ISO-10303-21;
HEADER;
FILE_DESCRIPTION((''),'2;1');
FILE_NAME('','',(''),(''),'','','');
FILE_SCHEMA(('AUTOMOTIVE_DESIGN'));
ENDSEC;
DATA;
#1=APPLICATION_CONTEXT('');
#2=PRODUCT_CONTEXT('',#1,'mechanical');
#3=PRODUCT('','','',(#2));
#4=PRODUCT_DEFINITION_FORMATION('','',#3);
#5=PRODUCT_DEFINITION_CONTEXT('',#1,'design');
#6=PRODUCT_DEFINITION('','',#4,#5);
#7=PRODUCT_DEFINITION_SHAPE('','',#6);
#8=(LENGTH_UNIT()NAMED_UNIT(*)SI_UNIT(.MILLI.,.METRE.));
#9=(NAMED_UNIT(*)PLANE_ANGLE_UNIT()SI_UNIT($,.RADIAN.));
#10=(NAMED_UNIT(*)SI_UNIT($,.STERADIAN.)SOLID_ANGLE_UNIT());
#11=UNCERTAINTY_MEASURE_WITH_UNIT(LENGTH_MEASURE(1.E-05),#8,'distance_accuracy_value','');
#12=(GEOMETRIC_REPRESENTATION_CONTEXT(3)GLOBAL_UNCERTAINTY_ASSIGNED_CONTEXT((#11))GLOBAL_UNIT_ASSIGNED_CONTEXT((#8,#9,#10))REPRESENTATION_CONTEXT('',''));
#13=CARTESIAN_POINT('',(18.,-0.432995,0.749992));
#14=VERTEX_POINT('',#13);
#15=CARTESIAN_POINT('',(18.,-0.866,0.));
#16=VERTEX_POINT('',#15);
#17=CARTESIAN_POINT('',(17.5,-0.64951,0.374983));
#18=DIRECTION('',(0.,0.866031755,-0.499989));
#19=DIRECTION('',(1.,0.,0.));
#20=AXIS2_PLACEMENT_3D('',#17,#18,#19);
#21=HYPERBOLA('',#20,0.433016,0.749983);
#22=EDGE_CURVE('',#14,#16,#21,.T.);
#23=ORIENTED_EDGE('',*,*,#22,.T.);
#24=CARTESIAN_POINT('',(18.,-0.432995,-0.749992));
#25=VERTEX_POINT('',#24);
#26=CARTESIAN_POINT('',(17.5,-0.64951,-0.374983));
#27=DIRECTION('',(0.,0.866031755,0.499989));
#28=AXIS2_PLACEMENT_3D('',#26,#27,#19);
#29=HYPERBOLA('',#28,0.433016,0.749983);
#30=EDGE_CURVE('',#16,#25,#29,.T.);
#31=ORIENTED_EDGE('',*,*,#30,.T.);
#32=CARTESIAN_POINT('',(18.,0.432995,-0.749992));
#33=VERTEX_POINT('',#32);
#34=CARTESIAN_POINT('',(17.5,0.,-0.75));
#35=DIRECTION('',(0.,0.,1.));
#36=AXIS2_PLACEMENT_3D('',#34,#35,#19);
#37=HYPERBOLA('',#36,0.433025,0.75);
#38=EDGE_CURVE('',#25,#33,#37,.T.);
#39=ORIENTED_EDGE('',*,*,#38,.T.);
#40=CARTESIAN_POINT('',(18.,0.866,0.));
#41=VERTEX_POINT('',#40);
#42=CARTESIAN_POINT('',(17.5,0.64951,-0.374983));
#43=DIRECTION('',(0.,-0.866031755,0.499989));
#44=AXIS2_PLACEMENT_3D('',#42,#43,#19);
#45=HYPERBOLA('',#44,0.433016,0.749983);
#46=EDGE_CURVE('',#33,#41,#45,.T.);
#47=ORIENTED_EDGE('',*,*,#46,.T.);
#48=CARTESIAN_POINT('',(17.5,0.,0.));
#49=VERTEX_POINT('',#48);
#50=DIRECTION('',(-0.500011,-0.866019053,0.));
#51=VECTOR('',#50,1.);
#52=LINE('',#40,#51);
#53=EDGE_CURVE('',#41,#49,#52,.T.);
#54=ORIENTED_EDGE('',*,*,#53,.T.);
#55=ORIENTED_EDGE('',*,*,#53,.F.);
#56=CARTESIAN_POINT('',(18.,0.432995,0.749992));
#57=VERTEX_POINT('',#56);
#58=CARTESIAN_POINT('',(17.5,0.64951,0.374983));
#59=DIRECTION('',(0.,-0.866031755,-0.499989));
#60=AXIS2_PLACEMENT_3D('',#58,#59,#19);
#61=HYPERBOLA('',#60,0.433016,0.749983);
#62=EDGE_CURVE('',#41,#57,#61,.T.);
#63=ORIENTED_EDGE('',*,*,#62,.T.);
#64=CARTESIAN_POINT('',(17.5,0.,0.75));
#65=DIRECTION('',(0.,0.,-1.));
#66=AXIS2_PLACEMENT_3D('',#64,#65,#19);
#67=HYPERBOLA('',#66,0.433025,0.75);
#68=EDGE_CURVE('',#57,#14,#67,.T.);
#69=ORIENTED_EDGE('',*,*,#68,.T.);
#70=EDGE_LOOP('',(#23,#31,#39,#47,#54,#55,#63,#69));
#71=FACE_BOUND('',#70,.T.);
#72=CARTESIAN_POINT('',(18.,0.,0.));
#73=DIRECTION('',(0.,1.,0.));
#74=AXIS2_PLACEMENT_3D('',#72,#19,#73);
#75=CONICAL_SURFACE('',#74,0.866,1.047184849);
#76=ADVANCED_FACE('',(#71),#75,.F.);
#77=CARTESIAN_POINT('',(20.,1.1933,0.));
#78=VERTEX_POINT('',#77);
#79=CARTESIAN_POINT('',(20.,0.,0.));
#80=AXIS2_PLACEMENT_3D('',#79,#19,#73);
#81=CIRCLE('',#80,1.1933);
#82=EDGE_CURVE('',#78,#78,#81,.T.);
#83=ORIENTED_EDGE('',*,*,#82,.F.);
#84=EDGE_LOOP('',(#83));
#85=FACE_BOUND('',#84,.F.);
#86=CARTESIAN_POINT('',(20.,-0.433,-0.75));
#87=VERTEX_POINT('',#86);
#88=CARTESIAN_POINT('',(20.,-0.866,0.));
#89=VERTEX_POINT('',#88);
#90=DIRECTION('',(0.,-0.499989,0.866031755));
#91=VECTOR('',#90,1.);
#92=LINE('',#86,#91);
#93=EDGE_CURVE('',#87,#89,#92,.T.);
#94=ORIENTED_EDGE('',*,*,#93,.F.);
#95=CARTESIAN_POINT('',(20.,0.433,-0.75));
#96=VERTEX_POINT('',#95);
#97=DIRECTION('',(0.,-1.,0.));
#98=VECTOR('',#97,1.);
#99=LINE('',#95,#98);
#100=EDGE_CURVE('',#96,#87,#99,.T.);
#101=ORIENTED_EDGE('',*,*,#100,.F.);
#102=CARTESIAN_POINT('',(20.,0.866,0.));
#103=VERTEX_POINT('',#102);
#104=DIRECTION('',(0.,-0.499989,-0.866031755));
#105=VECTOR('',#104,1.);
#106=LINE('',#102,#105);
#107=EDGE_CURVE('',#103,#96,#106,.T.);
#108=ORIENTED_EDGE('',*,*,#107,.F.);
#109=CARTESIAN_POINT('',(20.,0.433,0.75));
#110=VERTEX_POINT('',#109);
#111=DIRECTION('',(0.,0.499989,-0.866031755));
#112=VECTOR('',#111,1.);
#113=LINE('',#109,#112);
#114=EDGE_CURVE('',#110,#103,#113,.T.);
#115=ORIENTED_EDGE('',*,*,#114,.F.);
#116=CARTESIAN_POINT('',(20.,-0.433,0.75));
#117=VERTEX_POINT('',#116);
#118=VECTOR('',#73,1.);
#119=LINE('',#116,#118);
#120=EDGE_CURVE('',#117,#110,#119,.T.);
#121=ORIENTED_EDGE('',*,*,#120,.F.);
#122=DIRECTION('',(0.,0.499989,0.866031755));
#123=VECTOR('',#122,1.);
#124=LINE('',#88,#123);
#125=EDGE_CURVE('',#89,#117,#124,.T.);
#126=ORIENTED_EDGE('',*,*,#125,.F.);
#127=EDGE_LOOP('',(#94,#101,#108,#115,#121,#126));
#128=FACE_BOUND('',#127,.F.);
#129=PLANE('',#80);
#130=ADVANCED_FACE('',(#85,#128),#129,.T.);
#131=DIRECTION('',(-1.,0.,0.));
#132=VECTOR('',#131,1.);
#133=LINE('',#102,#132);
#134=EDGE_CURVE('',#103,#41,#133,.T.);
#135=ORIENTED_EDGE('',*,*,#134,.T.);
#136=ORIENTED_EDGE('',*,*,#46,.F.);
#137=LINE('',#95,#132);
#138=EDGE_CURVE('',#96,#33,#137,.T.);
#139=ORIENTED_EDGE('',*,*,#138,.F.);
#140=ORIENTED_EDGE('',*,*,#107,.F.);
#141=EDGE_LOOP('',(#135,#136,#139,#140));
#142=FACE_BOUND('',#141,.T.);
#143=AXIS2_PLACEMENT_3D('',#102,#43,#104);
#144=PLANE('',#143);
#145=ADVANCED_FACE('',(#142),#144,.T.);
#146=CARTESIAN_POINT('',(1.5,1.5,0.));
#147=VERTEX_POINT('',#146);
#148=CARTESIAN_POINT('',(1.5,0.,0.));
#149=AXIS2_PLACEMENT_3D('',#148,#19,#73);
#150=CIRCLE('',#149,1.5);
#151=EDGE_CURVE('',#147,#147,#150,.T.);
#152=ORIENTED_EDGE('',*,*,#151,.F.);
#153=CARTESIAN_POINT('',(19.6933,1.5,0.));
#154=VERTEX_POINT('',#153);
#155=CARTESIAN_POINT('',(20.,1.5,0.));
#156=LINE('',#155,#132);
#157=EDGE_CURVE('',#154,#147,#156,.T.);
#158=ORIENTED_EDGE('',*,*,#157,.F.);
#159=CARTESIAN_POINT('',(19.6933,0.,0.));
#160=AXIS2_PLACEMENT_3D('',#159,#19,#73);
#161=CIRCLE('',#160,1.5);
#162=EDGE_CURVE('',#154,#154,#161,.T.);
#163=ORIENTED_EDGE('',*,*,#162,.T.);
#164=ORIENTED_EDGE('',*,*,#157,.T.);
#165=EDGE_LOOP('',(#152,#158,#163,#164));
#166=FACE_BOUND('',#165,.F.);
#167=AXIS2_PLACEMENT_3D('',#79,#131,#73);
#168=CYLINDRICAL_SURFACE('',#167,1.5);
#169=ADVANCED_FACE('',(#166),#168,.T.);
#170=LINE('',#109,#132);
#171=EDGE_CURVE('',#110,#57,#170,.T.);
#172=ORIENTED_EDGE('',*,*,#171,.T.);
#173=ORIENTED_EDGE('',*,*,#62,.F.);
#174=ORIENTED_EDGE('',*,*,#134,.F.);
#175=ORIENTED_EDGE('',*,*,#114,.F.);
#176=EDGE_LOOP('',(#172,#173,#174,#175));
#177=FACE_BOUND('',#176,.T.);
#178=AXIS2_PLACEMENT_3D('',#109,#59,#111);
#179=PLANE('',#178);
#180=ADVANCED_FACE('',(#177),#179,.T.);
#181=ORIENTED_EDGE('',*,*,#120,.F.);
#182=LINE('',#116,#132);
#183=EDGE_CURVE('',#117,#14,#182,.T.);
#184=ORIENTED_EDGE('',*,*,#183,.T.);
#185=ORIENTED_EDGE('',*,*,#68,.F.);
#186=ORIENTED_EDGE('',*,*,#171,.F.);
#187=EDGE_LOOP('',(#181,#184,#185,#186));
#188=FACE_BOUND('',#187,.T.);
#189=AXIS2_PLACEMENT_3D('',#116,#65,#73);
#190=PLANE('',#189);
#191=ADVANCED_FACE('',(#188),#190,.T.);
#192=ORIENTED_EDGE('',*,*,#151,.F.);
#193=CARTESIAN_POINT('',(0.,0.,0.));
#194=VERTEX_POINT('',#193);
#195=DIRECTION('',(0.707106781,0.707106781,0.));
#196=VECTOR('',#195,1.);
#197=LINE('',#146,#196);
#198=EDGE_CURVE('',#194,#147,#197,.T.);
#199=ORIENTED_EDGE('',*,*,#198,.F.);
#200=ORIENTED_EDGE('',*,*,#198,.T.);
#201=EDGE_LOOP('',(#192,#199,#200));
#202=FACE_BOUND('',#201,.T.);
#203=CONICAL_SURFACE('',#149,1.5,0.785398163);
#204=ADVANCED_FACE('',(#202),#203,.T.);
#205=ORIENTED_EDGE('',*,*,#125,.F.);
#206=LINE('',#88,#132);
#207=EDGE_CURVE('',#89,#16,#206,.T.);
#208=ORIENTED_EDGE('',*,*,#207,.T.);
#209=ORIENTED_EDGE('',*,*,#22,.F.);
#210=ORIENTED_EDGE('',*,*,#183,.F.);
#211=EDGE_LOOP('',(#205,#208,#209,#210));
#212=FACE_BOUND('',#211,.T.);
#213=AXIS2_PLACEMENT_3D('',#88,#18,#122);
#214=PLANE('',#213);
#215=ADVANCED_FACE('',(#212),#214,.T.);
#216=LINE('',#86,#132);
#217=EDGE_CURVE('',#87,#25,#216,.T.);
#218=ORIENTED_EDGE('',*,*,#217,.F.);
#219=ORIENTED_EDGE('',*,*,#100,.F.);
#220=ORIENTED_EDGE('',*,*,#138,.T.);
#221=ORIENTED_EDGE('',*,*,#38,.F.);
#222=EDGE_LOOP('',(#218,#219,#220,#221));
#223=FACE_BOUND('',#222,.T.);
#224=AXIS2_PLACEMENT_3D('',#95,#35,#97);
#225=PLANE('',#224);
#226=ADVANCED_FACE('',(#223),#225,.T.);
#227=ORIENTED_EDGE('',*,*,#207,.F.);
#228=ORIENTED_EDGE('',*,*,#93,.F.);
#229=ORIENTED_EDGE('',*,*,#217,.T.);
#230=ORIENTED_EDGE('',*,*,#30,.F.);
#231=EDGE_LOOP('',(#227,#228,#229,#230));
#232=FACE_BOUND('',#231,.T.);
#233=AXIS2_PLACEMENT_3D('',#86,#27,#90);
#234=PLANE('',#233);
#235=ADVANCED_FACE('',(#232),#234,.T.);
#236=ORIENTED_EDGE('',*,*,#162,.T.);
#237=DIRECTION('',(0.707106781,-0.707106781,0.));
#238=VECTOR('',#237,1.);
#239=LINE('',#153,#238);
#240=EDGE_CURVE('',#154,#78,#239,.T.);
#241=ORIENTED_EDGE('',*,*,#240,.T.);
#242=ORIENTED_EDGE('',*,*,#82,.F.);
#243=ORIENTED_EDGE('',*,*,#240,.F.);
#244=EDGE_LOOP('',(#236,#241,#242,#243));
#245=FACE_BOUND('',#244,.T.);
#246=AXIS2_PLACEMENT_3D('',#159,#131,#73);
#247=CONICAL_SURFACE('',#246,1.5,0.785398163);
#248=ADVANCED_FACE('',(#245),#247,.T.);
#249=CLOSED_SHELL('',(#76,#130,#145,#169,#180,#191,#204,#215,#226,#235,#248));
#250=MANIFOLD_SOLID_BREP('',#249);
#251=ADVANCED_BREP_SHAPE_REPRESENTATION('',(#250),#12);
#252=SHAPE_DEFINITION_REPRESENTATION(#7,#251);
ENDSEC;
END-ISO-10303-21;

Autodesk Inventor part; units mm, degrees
ref_plane "YZ Plane" through (0, 0, 0) normal (1, 0, 0) x (0, 1, 0)
ref_plane "XZ Plane" through (0, 0, 0) normal (0, 1, 0) x (-1, 0, 0)
sketch "Skizze1" plane through (0, 0, 0) normal (0, 0, 1) x (1, 0, 0)
  line L0 (0, 0) -> (17.5, 0)
  line L1 (20, 0.866) -> (20, 1.5)
  line L2 (20, 1.5) -> (0, 1.5)
  line L3 (20, 0.866) -> (18, 0.866)
  line L4 (18, 0.866) -> (17.5, 0)
  line L5 (0, -0.3) -> (0, 1.8) projected
  line L6 (0, 1.5) -> (0, 0)
  dimension "d0" = 2
  dimension "d1" = 60
  dimension "d2" = 3
  dimension "d3" = 1.7321
  dimension "d5" = 20
revolve "Körper" add sketch "Skizze1" angle 360 about axis through (0, 0, 0) along (1, 0, 0)
sketch "Skizze2" plane through (20, 0, 0) normal (1, 0, 0) x (0, 1, 0)
  circle A0 centre (0, 0) radius 0.866 projected
  line L0 (-0.433, 0.75) -> (0.433, 0.75)
  line L1 (0.433, 0.75) -> (0.866, 0)
  line L2 (0.866, 0) -> (0.433, -0.75)
  line L3 (0.433, -0.75) -> (-0.433, -0.75)
  line L4 (-0.433, -0.75) -> (-0.866, 0)
  line L5 (-0.866, 0) -> (-0.433, 0.75)
  point P0 (0, 0)
  point P1 (0, 0)
extrude "Loch" add sketch "Skizze2" against normal up to next contours L1 A0 | A0 L2 | L0 A0 | A0 L3 | L5 A0 | A0 L4
thread "Gewinde" size "M3x0.5" class "6g" standard "ISO Metric profile" length 20
chamfer "Fase1" distance 1.5 angle 45 1 edges at (0, -1.5, 0) measured on face at (13.3333, 1.4951, -0.1207)
chamfer "Fase2" distance 0.3067 angle 45 1 edges at (20, -1.5, 0) measured on face at (13.8332, 1.4806, -0.2406)
ref_plane "Work Plane1" through (10, 0, 0) normal (0, 0, 1) x (1, 0, 0)
equation "\"d0\" = INTI"
equation "\"d2\" = NND"
equation "\"d3\" = 1.1547 * SW"
equation "\"d5\" = NLG"
equation "\"d12\" = NLG"
equation "\"d9\" = FAWI"
equation "\"d10\" = -0.5 * GD1 + 0.5 * NND"
equation "\"d11\" = FAWI"
equation "\"d35\" = -0.5 * GD1 + 0.5 * NND"
equation "\"NND\" = 3"
equation "\"NLG\" = 20"
equation "\"INTI\" = 2"
equation "\"FAWI\" = 45deg"
equation "\"SW\" = 1.5"
equation "\"GD1\" = THREADDIA - 1.2269 * PTC"
equation "\"FAWI1\" = 45deg"
equation "\"SPD\" = 0.00001"
equation "\"GUL\" = 0.61345 * PTC"
equation "\"TOA\" = 30deg"
equation "\"THREADDIA\" = 3"
equation "\"PTC\" = 0.5"
equation "\"GAL\" = 0.61345 * PTC"
equation "\"E0\" = 1.155 * SW"
properties part number "DIN 914 - M3 x 20" material "Stahl, weich"
